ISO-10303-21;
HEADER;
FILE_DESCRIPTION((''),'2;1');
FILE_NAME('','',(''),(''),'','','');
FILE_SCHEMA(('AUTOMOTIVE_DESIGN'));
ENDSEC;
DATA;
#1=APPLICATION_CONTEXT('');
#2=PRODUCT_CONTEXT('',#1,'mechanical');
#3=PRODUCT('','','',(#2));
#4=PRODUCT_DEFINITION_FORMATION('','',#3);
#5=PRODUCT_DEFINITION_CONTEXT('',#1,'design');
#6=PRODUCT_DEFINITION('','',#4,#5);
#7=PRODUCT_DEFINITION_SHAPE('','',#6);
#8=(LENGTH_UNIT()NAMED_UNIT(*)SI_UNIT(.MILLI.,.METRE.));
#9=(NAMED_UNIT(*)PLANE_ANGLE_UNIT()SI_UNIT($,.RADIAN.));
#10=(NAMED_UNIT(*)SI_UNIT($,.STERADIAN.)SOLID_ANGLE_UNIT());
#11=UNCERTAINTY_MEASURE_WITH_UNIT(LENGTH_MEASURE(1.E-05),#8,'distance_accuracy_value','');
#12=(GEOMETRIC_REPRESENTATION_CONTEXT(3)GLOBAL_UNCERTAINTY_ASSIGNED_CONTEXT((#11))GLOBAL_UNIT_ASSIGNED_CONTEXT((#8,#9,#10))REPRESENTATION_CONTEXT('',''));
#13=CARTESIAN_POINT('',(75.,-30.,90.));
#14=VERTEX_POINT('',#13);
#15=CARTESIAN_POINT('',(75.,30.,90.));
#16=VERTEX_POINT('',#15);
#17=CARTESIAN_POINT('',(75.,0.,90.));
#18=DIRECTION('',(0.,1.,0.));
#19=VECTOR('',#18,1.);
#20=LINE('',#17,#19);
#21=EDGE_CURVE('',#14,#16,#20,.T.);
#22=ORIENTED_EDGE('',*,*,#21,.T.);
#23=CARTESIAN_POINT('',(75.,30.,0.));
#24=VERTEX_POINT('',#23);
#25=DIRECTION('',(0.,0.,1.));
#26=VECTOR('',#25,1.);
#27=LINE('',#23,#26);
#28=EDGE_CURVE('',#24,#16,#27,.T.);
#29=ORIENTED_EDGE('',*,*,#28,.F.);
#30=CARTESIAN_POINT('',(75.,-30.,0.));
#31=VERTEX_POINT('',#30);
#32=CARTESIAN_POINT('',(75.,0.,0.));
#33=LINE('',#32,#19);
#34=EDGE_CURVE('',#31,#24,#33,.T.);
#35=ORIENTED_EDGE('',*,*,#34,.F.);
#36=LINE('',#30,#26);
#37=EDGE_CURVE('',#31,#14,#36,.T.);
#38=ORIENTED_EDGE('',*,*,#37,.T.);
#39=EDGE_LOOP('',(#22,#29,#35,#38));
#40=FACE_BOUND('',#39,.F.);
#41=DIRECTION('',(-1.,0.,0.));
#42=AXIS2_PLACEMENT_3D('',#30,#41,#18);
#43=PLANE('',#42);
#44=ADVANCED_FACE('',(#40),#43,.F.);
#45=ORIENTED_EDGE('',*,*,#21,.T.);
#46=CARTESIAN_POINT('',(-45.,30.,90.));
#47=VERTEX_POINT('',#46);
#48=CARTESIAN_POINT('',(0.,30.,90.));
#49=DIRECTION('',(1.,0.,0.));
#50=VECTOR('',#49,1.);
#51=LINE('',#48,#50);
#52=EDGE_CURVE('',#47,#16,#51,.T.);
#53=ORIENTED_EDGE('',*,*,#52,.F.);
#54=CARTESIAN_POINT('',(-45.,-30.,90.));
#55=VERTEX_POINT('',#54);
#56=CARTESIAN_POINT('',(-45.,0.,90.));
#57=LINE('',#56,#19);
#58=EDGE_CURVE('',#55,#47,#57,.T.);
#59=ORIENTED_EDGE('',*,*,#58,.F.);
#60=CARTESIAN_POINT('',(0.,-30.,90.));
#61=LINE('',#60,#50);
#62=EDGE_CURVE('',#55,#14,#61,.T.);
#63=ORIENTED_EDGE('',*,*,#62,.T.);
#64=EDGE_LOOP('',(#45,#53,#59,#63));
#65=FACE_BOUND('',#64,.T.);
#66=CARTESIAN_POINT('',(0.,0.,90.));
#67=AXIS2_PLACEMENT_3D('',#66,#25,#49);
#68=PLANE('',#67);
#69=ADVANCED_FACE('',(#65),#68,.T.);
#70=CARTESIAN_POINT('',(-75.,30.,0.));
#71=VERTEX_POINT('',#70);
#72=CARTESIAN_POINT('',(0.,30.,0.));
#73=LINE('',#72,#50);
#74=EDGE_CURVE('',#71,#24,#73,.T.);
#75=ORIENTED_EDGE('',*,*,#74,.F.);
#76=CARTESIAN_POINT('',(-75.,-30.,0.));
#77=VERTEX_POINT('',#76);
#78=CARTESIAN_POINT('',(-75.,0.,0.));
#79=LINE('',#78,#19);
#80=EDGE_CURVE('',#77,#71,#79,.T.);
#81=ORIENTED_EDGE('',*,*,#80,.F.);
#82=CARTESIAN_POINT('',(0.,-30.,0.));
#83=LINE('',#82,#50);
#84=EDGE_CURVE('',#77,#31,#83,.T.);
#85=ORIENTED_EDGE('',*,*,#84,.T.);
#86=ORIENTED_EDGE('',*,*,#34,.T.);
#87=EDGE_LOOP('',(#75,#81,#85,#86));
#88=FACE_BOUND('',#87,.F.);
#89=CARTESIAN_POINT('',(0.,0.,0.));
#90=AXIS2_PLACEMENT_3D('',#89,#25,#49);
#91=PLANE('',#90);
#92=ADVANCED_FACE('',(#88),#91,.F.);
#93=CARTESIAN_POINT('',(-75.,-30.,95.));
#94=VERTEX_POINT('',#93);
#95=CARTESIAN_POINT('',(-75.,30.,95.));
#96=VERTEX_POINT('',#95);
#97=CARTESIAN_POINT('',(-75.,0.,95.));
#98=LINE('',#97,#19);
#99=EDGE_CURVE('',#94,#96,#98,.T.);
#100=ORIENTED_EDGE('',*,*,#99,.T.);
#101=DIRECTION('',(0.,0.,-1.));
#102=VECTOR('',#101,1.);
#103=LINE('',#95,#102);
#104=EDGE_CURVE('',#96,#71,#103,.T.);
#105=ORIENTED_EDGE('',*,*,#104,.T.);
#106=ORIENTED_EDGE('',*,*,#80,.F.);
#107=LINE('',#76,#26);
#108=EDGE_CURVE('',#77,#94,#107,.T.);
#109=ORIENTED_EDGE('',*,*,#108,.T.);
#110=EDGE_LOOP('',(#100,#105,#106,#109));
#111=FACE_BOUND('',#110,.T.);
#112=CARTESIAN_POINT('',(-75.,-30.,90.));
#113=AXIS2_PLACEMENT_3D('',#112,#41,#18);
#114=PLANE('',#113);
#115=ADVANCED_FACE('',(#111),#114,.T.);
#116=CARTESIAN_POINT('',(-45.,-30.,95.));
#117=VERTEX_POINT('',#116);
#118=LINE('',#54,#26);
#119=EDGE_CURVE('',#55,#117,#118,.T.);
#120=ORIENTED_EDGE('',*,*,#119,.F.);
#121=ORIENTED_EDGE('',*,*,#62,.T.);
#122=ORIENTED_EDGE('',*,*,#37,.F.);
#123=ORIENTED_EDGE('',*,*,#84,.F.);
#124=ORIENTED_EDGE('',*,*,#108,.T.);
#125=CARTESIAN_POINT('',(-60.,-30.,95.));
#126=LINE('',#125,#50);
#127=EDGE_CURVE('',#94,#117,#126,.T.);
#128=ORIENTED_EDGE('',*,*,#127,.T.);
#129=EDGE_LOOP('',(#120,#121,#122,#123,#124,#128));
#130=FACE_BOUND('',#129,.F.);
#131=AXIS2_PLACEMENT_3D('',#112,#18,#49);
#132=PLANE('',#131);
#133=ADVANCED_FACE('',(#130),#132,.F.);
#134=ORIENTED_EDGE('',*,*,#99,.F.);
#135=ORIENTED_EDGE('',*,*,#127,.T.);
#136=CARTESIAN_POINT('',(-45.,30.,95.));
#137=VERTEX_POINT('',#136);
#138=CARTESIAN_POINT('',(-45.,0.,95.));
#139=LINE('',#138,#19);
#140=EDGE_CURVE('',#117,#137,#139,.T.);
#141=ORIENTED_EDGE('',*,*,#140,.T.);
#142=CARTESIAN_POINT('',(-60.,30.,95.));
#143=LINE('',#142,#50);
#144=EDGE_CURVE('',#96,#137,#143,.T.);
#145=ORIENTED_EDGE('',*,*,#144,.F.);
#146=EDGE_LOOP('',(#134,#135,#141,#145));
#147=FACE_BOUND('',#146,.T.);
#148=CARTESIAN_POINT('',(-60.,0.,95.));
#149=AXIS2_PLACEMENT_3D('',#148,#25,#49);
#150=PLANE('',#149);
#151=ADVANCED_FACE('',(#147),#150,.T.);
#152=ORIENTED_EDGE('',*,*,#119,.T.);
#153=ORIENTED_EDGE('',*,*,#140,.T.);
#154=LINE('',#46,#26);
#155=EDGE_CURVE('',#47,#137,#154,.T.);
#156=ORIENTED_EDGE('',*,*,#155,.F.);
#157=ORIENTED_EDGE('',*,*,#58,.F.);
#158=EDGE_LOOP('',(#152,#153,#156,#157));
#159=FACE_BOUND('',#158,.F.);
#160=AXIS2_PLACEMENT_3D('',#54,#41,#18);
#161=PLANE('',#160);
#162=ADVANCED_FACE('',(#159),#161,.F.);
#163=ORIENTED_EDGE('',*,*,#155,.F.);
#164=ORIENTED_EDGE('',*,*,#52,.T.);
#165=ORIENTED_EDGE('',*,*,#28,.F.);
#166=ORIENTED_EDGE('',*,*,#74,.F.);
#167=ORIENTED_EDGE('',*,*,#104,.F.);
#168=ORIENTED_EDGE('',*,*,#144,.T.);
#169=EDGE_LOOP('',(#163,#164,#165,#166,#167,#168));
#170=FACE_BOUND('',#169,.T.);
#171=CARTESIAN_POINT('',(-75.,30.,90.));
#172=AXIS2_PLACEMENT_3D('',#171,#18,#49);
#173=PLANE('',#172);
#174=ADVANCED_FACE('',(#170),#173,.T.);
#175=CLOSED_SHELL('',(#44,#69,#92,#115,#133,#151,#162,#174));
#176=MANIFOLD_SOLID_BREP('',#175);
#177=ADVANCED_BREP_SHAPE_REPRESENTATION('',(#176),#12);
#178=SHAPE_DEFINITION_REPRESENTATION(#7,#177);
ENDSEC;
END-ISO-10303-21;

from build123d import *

# Parameters (mm, degrees)
SKETCH_W     = 150
SKETCH_H     = 60
PAD_DEPTH    = 90
SKETCH001_W  = 30
SKETCH001_H  = 60
PAD001_DEPTH = 5


with BuildPart() as part:
    # Sketch → Pad (new body)
    with BuildSketch(Plane.XY):
        Rectangle(SKETCH_W, SKETCH_H)
    extrude(amount=PAD_DEPTH)

    # Sketch001 (on Face6 of Pad) → Pad001 (join)
    with BuildSketch(Plane.XY.offset(90)):
        with Locations((-60, 0)):
            Rectangle(SKETCH001_W, SKETCH001_H)
    extrude(amount=PAD001_DEPTH)


solid = part.part
